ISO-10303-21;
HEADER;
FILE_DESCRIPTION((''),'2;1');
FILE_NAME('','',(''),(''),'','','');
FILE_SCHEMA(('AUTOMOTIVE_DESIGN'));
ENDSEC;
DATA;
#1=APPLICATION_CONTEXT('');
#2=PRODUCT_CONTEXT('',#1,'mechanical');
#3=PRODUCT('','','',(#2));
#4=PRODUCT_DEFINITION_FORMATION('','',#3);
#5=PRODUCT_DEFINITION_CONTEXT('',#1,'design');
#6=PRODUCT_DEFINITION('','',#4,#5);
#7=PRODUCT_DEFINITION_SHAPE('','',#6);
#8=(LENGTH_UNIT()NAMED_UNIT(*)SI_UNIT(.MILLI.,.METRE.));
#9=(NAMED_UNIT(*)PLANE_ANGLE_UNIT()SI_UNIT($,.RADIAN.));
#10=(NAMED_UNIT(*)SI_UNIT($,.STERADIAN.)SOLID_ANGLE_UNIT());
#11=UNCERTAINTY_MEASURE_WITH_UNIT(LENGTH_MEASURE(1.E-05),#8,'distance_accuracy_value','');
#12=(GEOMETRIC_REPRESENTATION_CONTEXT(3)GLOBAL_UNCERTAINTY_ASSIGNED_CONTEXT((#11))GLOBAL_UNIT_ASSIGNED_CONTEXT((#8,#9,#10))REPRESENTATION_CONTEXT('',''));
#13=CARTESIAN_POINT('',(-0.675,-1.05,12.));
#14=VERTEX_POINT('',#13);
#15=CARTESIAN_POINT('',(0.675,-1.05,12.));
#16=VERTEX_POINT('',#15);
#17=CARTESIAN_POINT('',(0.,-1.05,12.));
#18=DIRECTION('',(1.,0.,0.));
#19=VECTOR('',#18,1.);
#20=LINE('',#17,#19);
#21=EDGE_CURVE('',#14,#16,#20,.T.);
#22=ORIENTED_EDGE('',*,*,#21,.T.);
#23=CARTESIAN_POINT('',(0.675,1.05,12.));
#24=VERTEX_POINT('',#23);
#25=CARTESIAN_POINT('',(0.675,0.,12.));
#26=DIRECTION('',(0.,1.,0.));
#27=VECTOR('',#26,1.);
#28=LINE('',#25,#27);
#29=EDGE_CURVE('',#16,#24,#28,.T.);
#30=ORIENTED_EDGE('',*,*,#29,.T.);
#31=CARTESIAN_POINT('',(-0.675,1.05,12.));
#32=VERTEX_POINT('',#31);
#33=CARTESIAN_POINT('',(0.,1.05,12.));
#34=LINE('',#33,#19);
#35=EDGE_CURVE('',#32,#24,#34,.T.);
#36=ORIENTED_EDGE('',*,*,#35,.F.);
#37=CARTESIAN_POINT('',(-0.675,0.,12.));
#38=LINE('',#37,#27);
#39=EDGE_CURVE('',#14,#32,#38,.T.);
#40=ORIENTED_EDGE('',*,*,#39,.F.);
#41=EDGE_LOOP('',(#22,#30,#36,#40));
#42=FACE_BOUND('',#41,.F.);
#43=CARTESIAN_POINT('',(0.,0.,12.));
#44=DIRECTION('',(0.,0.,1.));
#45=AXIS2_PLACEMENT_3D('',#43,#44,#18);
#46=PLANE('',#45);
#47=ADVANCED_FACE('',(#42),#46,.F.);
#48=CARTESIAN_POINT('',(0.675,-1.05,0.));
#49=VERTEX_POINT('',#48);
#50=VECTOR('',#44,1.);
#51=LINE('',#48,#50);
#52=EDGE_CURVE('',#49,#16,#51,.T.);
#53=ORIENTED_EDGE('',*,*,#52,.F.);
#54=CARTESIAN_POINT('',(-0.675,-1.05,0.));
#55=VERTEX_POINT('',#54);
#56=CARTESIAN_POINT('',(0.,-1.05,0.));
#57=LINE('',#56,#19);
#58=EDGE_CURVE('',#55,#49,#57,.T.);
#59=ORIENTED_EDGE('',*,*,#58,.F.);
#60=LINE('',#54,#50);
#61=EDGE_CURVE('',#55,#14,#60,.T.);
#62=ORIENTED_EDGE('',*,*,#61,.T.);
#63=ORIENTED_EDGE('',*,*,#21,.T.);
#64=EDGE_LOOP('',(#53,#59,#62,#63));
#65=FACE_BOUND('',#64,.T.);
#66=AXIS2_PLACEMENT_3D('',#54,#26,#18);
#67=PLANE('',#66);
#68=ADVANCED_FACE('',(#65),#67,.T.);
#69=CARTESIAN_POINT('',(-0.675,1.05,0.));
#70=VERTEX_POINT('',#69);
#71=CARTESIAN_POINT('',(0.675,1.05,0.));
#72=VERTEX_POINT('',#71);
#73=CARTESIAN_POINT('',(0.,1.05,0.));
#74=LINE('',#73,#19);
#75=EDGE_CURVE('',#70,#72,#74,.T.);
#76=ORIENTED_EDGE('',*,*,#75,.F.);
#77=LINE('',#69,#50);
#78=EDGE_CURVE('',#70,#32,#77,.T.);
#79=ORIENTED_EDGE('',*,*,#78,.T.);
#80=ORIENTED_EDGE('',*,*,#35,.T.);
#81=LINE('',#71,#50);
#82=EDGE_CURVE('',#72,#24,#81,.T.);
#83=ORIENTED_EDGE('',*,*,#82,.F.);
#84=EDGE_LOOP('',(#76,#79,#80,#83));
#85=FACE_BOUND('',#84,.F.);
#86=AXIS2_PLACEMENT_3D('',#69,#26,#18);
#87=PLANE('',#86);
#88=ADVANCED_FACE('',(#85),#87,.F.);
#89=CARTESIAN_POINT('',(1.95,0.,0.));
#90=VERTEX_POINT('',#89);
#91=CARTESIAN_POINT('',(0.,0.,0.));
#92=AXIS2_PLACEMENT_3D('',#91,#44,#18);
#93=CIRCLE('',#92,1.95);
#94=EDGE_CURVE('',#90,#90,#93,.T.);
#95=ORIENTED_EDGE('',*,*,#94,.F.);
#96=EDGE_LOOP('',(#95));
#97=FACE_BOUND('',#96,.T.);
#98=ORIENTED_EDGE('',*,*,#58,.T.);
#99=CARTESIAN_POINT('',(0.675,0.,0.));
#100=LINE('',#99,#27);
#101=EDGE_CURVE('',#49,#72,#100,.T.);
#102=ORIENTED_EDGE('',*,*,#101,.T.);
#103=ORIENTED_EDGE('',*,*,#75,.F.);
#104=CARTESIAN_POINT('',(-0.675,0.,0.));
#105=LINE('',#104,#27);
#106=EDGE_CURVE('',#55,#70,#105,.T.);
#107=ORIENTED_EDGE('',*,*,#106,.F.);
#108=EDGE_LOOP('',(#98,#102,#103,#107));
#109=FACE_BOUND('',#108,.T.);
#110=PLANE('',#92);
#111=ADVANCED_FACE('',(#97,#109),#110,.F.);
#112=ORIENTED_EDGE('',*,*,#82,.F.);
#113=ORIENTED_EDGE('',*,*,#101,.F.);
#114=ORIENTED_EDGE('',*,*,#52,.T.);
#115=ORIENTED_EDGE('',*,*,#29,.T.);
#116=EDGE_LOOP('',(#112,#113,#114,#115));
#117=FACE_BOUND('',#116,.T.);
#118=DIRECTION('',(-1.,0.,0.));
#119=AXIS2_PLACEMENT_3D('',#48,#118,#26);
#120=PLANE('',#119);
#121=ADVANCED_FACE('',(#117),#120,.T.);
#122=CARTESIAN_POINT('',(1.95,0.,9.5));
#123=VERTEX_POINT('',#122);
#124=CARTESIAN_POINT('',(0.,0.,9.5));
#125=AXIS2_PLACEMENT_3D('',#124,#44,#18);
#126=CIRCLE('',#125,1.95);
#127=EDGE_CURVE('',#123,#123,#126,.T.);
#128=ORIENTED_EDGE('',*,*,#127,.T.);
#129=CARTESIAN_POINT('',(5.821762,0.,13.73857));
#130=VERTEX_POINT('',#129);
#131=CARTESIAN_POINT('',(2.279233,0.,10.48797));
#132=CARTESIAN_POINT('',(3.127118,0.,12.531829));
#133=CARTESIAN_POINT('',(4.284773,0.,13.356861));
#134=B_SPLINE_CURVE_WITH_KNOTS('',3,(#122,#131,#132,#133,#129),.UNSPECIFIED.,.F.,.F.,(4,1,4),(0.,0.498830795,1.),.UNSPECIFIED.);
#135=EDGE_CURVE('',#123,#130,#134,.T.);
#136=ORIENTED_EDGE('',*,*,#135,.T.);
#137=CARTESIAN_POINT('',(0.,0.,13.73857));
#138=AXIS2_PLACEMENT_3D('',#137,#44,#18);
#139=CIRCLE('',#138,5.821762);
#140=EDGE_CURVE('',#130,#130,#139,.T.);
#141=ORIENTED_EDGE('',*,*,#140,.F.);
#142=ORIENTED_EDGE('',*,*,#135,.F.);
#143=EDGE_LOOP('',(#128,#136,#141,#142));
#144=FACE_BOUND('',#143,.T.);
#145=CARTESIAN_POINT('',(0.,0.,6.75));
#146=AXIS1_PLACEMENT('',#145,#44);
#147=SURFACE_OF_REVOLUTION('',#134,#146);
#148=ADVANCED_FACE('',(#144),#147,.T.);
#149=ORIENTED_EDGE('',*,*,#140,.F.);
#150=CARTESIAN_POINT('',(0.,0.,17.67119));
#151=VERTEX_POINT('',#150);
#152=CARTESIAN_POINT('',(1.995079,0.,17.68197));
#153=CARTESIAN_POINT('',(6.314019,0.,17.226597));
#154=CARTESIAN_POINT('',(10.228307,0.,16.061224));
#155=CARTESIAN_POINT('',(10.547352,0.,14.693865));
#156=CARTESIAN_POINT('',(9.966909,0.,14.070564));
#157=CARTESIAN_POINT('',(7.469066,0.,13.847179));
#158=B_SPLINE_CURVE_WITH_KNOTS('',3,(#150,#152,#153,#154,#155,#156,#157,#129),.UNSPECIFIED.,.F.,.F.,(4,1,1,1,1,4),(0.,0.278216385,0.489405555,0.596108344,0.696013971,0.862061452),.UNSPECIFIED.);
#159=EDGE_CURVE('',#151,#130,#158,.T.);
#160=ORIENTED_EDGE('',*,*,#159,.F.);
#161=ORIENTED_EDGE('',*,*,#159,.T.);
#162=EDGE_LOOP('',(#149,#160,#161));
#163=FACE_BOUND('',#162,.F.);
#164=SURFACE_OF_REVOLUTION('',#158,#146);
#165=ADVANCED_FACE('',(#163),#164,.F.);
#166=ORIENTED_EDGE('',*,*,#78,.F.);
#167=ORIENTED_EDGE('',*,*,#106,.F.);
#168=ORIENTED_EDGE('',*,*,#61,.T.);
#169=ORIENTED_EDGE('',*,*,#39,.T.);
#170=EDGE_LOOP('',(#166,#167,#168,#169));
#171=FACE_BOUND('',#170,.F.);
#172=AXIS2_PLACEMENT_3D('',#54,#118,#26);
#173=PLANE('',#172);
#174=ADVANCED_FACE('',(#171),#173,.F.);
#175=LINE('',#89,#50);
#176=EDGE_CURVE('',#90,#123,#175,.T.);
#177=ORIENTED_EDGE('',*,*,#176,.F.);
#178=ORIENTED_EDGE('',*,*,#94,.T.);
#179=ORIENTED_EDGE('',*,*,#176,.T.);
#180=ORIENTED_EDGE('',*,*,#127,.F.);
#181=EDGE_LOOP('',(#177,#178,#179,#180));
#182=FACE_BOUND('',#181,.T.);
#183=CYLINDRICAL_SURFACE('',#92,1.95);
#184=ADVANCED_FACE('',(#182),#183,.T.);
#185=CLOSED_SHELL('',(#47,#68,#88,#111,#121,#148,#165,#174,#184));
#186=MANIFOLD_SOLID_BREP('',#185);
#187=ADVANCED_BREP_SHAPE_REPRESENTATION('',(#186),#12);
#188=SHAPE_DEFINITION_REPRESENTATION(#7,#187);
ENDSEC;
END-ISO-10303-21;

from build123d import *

# Parameters (mm, degrees)
F0_W     = 1.35
F0_H     = 2.1
F3_DEPTH = 12


with BuildPart() as f2:
    # F1 (on Front) → F2 (revolve)
    with BuildSketch(Plane.XZ):
        Polygon((0, 13.5), (0, 0), (1.95, 0), (1.95, 9.5), (1.95, 13.5), align=None)
        with BuildLine():
            Line((0, 17.6711902022), (0, 13.5))
            Line((0, 13.5), (1.95, 13.5))
            add(Edge.make_bspline(
                [(5.8217617042, 13.7385702927), (4.4533175445, 13.6483472137), (3.0242982607, 13.5794216397), (1.95, 13.5)],
                knots=[0.8620614525, 0.8620614525, 0.8620614525, 0.8620614525, 1, 1, 1, 1], degree=3))
            add(Edge.make_bspline(
                [(0, 17.6711902022), (1.9950785153, 17.6819703772), (6.3140188963, 17.2265973022), (10.2283070111, 16.061224357), (10.5473517626, 14.693865039), (9.9669092997, 14.0705644475), (7.4690655971, 13.8471789109), (5.8217617042, 13.7385702927)],
                knots=[0, 0, 0, 0, 0.2782163846, 0.4894055549, 0.5961083439, 0.696013971, 0.8620614525, 0.8620614525, 0.8620614525, 0.8620614525], degree=3))
        make_face()
        with BuildLine():
            Line((1.95, 13.5), (1.95, 9.5))
            add(Edge.make_bspline(
                [(1.95, 9.5), (2.2792329689, 10.4879698392), (3.127118021, 12.5318287812), (4.2847728481, 13.3568612919), (5.8217617042, 13.7385702927)],
                knots=[0, 0, 0, 0, 0.4988307951, 1, 1, 1, 1], degree=3))
            add(Edge.make_bspline(
                [(5.8217617042, 13.7385702927), (4.4533175445, 13.6483472137), (3.0242982607, 13.5794216397), (1.95, 13.5)],
                knots=[0.8620614525, 0.8620614525, 0.8620614525, 0.8620614525, 1, 1, 1, 1], degree=3))
        make_face()
    revolve(axis=Axis((0, 0, 6.75), (0, 0, 1)))

    # F0 (on Top) → F3 (cut)
    with BuildSketch(Plane.XY):
        Rectangle(F0_W, F0_H)
    extrude(amount=F3_DEPTH, mode=Mode.SUBTRACT)


solid = f2.part
